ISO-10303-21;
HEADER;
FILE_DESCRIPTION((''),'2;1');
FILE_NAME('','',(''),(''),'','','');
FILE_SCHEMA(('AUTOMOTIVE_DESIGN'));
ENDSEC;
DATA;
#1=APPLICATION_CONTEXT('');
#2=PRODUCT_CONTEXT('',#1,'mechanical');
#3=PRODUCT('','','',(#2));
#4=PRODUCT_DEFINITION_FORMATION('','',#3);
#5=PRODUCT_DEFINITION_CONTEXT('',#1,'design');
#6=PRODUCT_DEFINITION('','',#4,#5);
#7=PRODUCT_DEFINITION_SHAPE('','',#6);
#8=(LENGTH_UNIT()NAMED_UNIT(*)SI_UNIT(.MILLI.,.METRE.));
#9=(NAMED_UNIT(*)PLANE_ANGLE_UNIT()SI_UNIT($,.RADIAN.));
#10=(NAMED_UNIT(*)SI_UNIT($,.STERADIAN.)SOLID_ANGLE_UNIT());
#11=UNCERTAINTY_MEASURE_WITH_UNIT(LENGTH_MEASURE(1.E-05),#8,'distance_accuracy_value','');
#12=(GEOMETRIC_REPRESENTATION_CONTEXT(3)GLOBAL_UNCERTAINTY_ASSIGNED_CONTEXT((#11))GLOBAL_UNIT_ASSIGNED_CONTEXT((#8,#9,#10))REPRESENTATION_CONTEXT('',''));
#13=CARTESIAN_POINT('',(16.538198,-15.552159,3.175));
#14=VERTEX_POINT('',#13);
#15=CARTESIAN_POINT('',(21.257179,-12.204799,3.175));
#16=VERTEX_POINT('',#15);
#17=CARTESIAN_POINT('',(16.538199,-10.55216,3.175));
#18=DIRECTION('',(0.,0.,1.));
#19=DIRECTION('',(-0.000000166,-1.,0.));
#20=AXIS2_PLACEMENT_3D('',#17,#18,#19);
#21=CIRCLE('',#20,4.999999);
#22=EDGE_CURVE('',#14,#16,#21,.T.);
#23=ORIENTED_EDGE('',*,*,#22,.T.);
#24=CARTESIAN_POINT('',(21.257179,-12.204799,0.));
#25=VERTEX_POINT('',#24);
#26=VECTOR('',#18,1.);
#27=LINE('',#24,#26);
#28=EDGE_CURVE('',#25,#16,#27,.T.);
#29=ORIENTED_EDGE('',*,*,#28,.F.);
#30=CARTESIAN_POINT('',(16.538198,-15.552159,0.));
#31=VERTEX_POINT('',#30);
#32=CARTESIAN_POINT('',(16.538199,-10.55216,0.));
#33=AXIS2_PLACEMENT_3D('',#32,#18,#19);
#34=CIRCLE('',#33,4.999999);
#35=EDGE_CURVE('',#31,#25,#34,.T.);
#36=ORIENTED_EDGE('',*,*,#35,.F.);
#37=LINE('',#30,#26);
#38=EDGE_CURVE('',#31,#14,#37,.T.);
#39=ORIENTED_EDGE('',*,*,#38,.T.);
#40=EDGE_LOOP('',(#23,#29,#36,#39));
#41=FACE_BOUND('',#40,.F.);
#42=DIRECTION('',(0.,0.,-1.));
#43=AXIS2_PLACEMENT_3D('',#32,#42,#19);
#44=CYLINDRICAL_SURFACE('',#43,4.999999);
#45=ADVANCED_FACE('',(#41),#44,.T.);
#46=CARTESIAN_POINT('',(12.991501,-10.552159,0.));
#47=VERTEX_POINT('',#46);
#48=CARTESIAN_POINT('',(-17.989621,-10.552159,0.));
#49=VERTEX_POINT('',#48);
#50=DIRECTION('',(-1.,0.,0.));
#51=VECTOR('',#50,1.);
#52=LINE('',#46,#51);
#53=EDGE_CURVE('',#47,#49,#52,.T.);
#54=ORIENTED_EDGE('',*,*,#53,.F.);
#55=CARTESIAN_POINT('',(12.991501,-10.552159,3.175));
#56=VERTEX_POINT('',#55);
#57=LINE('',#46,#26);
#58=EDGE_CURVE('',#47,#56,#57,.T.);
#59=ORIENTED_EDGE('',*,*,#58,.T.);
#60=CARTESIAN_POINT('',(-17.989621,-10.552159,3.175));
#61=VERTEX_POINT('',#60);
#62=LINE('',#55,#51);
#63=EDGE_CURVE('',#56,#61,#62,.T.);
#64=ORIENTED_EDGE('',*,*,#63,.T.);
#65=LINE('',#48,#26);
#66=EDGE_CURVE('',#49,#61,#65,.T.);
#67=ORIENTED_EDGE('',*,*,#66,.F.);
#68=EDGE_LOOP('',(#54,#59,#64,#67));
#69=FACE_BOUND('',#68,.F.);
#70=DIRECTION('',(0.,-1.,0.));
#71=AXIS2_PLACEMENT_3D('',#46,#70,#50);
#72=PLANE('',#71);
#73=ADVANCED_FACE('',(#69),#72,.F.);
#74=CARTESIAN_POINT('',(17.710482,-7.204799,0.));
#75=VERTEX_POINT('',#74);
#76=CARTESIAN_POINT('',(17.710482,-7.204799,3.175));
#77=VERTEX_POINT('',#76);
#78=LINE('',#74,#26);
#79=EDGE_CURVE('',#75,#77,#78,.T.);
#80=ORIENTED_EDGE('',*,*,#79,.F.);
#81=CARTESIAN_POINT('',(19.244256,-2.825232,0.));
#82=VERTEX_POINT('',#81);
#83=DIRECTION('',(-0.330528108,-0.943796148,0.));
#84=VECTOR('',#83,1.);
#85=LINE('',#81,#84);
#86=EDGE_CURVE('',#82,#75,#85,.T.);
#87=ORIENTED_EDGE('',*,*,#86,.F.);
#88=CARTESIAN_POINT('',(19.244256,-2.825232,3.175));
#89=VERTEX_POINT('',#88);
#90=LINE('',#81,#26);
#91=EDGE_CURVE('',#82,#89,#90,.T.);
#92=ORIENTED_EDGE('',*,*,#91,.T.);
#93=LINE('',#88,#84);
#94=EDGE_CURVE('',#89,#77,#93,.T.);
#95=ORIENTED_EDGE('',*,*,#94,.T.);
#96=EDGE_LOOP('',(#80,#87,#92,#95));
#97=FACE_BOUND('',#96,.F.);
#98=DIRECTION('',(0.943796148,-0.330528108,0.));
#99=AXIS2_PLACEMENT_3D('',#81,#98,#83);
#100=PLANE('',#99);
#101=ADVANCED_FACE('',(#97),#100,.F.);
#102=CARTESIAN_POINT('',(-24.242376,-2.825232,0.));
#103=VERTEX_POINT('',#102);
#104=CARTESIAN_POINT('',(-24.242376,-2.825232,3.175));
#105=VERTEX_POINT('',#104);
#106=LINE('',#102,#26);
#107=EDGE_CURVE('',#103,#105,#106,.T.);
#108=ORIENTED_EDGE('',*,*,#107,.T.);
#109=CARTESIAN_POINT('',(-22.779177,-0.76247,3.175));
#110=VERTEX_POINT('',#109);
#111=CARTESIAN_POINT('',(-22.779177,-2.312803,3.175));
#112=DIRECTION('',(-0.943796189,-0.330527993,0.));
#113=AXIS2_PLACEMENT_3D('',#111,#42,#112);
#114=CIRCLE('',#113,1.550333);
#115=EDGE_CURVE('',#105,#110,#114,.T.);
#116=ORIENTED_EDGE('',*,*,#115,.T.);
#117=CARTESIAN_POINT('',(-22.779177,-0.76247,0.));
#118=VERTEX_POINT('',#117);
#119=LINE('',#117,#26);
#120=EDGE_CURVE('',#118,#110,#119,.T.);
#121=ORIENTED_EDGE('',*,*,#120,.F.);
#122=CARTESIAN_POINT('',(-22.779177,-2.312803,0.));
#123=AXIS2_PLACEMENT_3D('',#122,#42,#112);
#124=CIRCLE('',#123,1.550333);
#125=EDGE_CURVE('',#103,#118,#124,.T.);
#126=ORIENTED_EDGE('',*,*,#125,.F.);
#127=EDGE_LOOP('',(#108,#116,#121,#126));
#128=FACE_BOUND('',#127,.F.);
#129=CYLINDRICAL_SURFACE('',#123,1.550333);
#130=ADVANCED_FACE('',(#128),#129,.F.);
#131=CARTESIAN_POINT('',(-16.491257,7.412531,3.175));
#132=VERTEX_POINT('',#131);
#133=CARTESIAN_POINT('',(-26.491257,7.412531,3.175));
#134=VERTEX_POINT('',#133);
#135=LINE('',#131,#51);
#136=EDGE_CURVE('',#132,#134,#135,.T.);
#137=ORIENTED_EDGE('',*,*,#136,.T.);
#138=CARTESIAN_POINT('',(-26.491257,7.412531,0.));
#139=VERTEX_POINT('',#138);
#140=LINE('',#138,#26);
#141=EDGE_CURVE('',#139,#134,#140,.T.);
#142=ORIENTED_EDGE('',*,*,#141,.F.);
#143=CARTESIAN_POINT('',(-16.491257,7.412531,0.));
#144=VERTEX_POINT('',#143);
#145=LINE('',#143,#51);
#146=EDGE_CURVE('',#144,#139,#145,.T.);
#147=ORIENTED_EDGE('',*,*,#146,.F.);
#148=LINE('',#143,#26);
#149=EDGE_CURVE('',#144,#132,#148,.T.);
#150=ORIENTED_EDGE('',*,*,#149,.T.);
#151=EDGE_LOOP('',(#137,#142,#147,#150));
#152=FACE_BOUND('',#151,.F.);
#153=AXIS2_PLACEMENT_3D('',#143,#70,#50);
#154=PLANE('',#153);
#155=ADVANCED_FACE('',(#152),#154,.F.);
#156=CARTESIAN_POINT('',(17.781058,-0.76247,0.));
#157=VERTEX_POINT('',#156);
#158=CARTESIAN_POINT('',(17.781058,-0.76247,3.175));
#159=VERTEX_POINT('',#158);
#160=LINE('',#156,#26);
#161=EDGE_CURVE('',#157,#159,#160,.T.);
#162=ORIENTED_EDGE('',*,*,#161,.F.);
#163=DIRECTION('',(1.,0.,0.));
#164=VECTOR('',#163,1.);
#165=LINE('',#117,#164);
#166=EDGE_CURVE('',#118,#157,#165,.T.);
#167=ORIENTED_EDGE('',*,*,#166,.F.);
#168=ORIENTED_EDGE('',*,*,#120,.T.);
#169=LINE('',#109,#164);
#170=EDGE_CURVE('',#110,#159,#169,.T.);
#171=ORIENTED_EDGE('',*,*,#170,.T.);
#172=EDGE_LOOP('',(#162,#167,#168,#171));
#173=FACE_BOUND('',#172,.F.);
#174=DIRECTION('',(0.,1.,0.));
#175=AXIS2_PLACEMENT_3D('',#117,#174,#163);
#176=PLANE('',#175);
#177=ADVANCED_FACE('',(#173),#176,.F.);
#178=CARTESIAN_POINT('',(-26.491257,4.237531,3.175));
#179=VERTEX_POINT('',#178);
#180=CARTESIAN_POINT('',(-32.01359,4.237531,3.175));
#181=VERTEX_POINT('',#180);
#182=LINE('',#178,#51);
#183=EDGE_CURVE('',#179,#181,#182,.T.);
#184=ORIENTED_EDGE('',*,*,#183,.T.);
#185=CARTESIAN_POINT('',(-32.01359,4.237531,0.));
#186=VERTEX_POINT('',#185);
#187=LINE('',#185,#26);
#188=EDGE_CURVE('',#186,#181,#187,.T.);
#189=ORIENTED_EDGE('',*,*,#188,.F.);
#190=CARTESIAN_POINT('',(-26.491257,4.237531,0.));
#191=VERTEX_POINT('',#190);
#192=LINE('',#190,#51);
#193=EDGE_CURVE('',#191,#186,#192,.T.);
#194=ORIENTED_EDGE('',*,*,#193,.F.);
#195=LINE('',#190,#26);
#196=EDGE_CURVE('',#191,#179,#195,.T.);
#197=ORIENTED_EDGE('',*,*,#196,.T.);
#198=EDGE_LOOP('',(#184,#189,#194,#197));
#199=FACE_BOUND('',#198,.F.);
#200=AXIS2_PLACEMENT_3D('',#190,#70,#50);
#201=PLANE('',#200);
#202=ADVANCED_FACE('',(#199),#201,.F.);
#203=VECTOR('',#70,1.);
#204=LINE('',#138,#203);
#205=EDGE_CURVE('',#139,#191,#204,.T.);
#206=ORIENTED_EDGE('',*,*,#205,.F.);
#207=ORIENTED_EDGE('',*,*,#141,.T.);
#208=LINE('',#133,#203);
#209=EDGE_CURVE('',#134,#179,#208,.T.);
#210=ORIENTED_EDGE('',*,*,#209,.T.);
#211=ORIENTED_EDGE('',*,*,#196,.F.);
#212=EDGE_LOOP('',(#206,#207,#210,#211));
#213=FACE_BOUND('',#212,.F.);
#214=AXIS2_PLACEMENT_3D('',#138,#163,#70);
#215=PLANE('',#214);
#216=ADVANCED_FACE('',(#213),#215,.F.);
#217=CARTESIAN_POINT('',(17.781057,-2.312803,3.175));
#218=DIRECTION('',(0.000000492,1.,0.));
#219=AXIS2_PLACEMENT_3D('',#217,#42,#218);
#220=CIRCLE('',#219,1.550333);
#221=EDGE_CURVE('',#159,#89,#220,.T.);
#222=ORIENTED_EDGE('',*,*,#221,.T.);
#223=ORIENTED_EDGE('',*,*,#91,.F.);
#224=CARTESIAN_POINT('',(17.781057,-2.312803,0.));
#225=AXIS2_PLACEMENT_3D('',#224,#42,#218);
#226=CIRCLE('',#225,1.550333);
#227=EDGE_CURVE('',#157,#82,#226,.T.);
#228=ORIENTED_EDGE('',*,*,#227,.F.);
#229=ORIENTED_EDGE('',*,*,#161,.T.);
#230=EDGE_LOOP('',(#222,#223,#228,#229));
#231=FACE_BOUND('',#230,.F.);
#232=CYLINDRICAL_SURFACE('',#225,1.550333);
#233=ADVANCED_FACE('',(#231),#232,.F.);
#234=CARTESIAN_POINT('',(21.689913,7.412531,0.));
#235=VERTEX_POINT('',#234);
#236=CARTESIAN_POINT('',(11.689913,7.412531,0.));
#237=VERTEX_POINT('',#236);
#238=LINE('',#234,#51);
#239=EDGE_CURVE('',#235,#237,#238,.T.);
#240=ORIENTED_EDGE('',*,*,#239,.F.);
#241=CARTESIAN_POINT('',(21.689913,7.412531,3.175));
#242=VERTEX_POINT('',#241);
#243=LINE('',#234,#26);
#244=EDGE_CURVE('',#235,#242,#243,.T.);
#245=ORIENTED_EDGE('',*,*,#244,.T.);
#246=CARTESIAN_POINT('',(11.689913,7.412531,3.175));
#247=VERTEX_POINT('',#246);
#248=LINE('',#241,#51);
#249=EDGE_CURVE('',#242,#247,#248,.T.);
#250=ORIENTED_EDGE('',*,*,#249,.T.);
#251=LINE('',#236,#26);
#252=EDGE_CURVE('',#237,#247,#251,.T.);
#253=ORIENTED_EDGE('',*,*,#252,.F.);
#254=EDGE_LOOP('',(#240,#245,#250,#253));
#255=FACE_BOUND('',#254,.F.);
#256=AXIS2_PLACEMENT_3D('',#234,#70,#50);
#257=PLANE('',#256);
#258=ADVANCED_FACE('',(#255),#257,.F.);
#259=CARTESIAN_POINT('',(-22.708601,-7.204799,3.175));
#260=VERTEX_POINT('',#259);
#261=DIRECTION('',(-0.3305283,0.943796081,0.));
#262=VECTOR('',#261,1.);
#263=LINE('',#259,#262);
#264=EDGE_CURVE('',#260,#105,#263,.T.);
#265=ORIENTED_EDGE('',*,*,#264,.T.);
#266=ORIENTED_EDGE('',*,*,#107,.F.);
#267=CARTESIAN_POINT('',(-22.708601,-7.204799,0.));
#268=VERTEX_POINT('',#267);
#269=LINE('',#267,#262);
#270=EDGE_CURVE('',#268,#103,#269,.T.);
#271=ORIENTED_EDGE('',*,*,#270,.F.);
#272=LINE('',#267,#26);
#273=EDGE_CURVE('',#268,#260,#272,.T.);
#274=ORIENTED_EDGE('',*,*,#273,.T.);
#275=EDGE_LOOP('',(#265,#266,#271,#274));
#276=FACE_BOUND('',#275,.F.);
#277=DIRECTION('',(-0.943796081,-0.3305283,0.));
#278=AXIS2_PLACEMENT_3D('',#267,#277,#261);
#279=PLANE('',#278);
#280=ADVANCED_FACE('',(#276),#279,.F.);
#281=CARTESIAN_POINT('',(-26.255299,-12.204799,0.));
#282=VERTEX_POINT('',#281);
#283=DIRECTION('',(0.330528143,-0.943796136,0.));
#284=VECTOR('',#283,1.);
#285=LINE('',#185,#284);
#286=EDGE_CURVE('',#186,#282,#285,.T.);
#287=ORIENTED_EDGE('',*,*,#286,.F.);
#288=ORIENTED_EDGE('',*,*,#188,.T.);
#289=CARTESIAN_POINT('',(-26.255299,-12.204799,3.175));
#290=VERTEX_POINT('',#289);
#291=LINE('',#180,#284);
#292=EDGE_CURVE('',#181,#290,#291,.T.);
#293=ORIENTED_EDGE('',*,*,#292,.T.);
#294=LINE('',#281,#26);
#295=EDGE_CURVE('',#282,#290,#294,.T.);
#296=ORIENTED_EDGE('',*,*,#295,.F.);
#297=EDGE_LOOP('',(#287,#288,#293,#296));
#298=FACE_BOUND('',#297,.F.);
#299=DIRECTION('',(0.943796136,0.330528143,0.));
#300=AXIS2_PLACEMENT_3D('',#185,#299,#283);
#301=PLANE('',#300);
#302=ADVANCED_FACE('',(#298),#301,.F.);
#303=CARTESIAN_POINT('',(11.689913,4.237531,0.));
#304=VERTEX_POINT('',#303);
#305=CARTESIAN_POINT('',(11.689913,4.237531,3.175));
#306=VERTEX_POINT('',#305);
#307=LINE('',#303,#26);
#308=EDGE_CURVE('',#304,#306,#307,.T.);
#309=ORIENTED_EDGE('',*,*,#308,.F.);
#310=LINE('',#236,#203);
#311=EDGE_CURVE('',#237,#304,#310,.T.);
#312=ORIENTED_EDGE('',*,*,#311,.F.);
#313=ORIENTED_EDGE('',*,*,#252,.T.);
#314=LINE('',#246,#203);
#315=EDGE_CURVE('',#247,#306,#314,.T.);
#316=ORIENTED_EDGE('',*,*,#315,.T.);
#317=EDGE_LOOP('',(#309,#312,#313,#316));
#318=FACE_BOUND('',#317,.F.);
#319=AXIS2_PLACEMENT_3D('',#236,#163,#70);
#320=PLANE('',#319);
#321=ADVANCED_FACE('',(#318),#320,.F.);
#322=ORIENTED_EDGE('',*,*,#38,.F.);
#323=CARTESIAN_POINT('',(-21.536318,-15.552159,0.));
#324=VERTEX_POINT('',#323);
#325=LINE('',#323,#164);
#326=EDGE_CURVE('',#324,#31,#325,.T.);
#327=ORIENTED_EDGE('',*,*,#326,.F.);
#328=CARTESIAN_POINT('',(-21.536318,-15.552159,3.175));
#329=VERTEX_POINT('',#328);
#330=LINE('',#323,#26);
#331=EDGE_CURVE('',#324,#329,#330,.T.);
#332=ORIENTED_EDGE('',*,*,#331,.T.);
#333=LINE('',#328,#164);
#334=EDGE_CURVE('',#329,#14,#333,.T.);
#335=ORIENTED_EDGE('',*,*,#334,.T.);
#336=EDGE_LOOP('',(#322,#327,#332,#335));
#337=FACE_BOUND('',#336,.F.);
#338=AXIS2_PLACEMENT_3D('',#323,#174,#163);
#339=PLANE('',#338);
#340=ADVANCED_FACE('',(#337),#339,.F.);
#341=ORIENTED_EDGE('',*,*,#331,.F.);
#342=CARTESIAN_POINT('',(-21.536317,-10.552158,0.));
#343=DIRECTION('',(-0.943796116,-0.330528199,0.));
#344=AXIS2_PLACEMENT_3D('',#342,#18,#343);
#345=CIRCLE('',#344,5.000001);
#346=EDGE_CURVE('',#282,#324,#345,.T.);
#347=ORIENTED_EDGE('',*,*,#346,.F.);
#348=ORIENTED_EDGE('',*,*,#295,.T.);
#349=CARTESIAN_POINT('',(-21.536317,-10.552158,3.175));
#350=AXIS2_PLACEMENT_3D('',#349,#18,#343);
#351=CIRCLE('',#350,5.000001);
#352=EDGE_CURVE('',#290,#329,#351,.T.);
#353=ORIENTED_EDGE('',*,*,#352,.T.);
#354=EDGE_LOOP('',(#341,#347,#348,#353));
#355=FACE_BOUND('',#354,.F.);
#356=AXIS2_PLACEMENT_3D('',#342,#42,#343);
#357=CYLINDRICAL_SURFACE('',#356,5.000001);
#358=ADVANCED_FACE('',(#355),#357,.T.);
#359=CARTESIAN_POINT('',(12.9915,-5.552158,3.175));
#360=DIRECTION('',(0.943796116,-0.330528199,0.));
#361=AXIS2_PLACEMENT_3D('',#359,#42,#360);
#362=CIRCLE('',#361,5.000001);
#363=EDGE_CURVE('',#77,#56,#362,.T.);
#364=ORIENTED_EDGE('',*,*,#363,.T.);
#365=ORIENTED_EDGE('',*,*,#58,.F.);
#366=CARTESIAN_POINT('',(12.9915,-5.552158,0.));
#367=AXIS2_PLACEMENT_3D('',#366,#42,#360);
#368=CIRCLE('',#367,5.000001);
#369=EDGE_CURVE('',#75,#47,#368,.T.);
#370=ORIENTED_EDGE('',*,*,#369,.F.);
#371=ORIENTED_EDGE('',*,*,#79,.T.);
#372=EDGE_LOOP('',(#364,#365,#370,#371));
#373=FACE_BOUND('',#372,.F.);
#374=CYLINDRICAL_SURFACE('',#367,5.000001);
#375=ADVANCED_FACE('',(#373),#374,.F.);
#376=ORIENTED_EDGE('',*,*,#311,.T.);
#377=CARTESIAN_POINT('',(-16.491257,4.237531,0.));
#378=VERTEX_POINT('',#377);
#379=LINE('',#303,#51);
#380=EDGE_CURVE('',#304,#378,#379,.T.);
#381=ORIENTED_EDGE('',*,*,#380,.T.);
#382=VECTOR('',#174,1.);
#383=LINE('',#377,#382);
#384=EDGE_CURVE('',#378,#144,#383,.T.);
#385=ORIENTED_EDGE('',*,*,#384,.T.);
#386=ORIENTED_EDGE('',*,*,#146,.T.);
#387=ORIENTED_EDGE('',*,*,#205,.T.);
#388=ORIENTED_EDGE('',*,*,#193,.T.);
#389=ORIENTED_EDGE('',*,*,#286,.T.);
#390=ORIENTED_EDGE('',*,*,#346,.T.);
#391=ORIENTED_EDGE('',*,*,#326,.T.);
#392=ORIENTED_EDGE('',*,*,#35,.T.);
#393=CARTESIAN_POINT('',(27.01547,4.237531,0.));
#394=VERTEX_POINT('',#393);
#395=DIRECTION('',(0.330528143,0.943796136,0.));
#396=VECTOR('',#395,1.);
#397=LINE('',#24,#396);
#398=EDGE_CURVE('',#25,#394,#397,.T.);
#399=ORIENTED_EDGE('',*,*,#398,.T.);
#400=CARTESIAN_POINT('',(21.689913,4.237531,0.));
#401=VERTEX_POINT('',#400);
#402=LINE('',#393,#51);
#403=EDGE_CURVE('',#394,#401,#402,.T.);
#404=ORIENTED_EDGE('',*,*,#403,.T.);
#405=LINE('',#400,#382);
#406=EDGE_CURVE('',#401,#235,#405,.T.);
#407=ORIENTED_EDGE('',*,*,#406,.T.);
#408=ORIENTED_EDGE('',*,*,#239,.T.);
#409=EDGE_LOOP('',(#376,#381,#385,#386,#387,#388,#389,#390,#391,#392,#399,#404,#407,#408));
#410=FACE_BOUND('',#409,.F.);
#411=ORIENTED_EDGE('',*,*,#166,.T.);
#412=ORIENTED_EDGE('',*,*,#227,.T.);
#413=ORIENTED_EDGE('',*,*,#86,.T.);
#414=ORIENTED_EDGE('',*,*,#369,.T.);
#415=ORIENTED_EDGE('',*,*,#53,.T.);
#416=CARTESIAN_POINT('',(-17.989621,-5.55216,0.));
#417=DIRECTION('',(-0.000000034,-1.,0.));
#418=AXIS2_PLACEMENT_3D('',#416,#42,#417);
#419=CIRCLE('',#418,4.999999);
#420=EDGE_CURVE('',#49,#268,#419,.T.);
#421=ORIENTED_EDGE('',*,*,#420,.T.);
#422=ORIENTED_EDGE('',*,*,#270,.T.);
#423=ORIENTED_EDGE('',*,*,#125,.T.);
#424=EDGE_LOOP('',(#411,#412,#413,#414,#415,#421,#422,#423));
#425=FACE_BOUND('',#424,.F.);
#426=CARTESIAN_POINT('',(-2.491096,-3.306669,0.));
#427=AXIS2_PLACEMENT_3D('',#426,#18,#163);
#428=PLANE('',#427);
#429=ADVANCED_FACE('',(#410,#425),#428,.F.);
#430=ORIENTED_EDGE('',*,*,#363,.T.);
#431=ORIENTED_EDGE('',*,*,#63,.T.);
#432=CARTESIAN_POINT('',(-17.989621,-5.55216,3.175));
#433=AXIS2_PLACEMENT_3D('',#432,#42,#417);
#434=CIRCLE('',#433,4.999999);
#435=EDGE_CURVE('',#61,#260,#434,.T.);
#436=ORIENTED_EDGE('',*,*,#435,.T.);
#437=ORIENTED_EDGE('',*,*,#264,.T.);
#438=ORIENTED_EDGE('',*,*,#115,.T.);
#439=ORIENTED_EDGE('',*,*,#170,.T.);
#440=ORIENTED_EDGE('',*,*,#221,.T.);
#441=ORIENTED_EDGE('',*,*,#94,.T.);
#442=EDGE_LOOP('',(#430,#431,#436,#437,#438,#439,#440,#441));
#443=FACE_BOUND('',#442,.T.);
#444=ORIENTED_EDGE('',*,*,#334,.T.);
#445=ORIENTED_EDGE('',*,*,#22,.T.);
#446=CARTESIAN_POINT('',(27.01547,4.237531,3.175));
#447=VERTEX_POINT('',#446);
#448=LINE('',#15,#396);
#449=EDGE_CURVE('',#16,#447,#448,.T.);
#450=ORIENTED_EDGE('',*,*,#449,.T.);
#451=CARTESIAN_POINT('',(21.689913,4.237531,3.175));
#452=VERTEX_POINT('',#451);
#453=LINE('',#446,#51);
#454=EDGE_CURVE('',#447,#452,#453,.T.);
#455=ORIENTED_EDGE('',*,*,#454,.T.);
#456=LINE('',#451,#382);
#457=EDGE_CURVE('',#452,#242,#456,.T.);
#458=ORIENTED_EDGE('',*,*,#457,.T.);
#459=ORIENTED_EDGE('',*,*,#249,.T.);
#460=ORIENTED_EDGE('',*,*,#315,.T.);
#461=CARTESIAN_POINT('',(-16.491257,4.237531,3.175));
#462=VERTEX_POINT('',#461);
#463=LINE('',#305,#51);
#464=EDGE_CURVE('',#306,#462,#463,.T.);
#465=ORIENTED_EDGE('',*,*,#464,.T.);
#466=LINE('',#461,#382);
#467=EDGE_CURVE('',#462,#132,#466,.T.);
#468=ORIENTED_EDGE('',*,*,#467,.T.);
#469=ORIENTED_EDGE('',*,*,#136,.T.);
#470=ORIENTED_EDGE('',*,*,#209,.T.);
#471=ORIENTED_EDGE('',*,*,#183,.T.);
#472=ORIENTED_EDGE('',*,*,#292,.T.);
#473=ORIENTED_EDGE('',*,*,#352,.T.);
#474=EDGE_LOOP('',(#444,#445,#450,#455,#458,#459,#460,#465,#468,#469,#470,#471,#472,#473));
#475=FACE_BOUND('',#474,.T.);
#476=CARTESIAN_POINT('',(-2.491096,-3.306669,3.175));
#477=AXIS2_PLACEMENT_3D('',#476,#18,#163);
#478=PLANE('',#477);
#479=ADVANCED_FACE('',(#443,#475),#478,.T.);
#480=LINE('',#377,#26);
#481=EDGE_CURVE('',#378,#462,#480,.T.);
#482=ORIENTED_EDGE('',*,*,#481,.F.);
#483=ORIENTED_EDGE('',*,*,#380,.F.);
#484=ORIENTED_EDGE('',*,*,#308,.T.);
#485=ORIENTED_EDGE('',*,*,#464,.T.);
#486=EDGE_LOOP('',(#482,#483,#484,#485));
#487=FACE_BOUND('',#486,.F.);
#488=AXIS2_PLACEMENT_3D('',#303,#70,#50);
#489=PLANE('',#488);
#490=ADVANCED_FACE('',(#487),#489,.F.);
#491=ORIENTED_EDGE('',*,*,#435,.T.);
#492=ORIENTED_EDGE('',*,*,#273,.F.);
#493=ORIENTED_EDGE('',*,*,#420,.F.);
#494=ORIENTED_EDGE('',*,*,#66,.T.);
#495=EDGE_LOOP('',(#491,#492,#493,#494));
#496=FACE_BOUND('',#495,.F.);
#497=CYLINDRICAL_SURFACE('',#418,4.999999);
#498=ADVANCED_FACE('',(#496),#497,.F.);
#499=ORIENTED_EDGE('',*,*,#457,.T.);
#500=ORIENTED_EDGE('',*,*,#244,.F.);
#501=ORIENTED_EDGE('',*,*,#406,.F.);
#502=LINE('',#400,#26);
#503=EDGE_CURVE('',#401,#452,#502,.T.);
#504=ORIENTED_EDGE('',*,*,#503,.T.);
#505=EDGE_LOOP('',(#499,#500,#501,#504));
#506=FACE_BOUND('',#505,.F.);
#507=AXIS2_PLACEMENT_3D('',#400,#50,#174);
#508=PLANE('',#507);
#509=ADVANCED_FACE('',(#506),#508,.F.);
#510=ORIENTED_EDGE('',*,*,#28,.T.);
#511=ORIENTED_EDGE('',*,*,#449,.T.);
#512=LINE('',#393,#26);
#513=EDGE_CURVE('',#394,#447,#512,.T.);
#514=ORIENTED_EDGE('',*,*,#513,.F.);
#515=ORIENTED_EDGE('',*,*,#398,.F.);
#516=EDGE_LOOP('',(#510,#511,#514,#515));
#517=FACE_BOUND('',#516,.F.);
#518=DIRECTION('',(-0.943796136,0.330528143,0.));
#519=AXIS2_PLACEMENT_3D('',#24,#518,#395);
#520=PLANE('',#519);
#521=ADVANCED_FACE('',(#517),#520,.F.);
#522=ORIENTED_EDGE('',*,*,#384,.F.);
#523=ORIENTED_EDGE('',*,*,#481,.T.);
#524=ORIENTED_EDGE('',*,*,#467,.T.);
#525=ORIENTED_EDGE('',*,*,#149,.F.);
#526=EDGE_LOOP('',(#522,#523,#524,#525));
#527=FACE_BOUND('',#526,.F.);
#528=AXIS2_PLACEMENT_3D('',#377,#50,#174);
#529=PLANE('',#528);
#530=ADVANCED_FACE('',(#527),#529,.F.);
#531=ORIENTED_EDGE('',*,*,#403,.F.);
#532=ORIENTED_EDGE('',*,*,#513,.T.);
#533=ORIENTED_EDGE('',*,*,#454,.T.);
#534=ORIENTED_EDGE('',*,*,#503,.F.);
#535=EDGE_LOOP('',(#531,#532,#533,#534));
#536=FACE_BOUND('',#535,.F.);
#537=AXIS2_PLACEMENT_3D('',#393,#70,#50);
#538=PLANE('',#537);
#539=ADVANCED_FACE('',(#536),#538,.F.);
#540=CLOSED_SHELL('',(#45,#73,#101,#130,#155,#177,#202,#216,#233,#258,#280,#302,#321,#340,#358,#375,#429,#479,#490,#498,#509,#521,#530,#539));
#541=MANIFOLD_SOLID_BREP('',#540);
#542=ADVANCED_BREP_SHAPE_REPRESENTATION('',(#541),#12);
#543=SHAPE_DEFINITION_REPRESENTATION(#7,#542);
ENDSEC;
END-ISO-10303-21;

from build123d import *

# Parameters (mm, degrees)
F1_DEPTH = 3.175


with BuildPart() as f1:
    # F0 (on Top) → F1 (new body)
    with BuildSketch(Plane.XY):
        with BuildLine():
            Line((27.01547, 4.237531), (21.689913, 4.237531))
            Line((21.689913, 4.237531), (21.689913, 7.412531))
            Line((21.689913, 7.412531), (11.689913, 7.412531))
            Line((11.689913, 7.412531), (11.689913, 4.237531))
            Line((11.689913, 4.237531), (-16.491257, 4.237531))
            Line((-16.491257, 4.237531), (-16.491257, 7.412531))
            Line((-16.491257, 7.412531), (-26.491257, 7.412531))
            Line((-26.491257, 7.412531), (-26.491257, 4.237531))
            Line((-26.491257, 4.237531), (-32.01359, 4.237531))
            Line((-32.01359, 4.237531), (-26.255299, -12.204799))
            ThreePointArc((-26.255299, -12.204799), (-24.429136, -14.630345), (-21.536318, -15.552159))
            Line((-21.536318, -15.552159), (16.538198, -15.552159))
            ThreePointArc((16.538198, -15.552159), (19.431017, -14.630345), (21.257179, -12.204799))
            Line((21.257179, -12.204799), (27.01547, 4.237531))
        make_face()
        with BuildLine():
            ThreePointArc((17.710482, -7.204799), (15.884319, -9.630345), (12.991501, -10.552159))
            Line((12.991501, -10.552159), (-17.989621, -10.552159))
            ThreePointArc((-17.989621, -10.552159), (-20.882439, -9.630345), (-22.708601, -7.204799))
            Line((-22.708601, -7.204799), (-24.242376, -2.825232))
            ThreePointArc((-24.242376, -2.825232), (-24.043687, -1.415837), (-22.779177, -0.76247))
            Line((-22.779177, -0.76247), (-7.49906, -0.76247))
            Line((-7.49906, -0.76247), (2.50094, -0.76247))
            Line((2.50094, -0.76247), (17.781058, -0.76247))
            ThreePointArc((17.781058, -0.76247), (19.045567, -1.415837), (19.244256, -2.825232))
            Line((19.244256, -2.825232), (17.710482, -7.204799))
        make_face(mode=Mode.SUBTRACT)
    extrude(amount=F1_DEPTH)


solid = f1.part
